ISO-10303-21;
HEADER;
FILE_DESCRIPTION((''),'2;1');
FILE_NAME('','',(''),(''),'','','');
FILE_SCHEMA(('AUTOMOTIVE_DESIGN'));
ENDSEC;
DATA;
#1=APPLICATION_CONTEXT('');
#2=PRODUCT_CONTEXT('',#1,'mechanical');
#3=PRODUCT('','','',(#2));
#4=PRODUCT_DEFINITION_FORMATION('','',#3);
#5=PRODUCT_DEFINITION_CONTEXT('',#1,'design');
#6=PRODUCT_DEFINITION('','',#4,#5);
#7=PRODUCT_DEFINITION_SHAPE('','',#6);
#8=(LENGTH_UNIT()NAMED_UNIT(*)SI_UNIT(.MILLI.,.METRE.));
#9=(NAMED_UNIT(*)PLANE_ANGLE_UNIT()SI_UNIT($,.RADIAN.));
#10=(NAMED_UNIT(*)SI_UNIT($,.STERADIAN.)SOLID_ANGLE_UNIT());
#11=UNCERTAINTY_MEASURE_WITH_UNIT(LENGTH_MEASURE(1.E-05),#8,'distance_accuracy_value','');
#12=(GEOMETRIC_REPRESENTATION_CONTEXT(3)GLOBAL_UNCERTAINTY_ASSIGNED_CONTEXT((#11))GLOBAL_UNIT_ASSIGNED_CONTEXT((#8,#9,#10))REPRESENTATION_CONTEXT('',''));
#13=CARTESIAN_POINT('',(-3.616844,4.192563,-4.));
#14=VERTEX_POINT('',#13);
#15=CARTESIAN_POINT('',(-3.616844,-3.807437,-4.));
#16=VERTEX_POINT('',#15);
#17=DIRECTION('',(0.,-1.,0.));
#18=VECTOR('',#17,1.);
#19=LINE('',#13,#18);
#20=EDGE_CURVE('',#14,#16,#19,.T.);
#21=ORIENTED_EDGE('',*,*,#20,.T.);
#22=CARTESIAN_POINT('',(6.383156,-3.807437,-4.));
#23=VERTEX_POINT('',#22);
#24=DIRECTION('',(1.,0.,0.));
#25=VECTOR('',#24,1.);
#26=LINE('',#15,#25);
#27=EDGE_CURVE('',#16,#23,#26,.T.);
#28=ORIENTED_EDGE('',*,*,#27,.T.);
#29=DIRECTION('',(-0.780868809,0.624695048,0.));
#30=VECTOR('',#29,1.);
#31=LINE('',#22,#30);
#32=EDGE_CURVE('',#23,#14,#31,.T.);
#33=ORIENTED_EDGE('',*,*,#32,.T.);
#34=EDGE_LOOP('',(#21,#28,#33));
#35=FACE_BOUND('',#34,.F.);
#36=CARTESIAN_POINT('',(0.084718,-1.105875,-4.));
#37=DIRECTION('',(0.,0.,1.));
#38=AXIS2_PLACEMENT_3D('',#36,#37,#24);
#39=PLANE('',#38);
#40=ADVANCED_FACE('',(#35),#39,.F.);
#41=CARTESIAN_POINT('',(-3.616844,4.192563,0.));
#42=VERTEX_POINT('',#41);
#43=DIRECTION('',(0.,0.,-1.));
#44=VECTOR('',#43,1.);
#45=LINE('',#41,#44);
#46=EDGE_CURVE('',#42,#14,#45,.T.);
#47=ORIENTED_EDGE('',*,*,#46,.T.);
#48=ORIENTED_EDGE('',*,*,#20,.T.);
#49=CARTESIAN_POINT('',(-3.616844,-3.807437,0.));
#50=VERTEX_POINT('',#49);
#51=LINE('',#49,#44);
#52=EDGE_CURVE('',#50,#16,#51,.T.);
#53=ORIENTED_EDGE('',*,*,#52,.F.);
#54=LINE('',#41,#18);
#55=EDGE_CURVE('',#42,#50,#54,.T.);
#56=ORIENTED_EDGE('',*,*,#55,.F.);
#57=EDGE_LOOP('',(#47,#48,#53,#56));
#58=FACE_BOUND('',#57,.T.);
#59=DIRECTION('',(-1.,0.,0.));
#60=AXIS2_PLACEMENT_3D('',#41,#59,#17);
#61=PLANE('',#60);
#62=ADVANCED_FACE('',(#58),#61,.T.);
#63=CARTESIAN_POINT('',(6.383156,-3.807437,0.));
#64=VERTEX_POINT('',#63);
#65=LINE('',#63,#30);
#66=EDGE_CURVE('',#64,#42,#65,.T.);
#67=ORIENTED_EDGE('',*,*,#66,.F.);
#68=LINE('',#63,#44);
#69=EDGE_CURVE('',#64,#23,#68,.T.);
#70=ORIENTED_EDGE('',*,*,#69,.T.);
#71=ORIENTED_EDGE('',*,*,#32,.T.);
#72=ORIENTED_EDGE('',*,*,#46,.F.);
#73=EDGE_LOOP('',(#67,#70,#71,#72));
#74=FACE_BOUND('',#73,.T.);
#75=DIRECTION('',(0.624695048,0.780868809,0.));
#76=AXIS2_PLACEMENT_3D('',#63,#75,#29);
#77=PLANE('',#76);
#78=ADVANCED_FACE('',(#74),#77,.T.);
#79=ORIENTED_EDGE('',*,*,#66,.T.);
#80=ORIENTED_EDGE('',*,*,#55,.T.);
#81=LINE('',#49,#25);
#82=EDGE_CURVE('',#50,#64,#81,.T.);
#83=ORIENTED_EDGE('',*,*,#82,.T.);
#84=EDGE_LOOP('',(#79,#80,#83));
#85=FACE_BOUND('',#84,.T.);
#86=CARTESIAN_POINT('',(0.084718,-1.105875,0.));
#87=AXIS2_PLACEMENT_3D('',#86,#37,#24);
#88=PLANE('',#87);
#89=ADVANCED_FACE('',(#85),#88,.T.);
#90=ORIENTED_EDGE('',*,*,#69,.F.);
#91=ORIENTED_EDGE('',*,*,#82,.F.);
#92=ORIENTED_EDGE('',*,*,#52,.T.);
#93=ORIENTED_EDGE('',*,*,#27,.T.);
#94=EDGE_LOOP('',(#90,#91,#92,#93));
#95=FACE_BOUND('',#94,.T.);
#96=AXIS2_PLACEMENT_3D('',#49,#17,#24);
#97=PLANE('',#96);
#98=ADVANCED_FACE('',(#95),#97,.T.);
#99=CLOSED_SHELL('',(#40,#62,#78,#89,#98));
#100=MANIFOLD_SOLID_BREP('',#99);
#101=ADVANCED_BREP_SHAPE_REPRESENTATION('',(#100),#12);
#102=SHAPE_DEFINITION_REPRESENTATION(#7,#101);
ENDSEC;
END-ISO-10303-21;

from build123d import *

# Parameters (mm, degrees)
F1_DEPTH = 4


with BuildPart() as f1:
    # F0 (on Top) → F1 (new body)
    with BuildSketch(Plane.XY):
        Polygon((6.383156, -3.807437), (-3.616844, 4.192563), (-3.616844, -3.807437), align=None)
    extrude(amount=-F1_DEPTH)


solid = f1.part
